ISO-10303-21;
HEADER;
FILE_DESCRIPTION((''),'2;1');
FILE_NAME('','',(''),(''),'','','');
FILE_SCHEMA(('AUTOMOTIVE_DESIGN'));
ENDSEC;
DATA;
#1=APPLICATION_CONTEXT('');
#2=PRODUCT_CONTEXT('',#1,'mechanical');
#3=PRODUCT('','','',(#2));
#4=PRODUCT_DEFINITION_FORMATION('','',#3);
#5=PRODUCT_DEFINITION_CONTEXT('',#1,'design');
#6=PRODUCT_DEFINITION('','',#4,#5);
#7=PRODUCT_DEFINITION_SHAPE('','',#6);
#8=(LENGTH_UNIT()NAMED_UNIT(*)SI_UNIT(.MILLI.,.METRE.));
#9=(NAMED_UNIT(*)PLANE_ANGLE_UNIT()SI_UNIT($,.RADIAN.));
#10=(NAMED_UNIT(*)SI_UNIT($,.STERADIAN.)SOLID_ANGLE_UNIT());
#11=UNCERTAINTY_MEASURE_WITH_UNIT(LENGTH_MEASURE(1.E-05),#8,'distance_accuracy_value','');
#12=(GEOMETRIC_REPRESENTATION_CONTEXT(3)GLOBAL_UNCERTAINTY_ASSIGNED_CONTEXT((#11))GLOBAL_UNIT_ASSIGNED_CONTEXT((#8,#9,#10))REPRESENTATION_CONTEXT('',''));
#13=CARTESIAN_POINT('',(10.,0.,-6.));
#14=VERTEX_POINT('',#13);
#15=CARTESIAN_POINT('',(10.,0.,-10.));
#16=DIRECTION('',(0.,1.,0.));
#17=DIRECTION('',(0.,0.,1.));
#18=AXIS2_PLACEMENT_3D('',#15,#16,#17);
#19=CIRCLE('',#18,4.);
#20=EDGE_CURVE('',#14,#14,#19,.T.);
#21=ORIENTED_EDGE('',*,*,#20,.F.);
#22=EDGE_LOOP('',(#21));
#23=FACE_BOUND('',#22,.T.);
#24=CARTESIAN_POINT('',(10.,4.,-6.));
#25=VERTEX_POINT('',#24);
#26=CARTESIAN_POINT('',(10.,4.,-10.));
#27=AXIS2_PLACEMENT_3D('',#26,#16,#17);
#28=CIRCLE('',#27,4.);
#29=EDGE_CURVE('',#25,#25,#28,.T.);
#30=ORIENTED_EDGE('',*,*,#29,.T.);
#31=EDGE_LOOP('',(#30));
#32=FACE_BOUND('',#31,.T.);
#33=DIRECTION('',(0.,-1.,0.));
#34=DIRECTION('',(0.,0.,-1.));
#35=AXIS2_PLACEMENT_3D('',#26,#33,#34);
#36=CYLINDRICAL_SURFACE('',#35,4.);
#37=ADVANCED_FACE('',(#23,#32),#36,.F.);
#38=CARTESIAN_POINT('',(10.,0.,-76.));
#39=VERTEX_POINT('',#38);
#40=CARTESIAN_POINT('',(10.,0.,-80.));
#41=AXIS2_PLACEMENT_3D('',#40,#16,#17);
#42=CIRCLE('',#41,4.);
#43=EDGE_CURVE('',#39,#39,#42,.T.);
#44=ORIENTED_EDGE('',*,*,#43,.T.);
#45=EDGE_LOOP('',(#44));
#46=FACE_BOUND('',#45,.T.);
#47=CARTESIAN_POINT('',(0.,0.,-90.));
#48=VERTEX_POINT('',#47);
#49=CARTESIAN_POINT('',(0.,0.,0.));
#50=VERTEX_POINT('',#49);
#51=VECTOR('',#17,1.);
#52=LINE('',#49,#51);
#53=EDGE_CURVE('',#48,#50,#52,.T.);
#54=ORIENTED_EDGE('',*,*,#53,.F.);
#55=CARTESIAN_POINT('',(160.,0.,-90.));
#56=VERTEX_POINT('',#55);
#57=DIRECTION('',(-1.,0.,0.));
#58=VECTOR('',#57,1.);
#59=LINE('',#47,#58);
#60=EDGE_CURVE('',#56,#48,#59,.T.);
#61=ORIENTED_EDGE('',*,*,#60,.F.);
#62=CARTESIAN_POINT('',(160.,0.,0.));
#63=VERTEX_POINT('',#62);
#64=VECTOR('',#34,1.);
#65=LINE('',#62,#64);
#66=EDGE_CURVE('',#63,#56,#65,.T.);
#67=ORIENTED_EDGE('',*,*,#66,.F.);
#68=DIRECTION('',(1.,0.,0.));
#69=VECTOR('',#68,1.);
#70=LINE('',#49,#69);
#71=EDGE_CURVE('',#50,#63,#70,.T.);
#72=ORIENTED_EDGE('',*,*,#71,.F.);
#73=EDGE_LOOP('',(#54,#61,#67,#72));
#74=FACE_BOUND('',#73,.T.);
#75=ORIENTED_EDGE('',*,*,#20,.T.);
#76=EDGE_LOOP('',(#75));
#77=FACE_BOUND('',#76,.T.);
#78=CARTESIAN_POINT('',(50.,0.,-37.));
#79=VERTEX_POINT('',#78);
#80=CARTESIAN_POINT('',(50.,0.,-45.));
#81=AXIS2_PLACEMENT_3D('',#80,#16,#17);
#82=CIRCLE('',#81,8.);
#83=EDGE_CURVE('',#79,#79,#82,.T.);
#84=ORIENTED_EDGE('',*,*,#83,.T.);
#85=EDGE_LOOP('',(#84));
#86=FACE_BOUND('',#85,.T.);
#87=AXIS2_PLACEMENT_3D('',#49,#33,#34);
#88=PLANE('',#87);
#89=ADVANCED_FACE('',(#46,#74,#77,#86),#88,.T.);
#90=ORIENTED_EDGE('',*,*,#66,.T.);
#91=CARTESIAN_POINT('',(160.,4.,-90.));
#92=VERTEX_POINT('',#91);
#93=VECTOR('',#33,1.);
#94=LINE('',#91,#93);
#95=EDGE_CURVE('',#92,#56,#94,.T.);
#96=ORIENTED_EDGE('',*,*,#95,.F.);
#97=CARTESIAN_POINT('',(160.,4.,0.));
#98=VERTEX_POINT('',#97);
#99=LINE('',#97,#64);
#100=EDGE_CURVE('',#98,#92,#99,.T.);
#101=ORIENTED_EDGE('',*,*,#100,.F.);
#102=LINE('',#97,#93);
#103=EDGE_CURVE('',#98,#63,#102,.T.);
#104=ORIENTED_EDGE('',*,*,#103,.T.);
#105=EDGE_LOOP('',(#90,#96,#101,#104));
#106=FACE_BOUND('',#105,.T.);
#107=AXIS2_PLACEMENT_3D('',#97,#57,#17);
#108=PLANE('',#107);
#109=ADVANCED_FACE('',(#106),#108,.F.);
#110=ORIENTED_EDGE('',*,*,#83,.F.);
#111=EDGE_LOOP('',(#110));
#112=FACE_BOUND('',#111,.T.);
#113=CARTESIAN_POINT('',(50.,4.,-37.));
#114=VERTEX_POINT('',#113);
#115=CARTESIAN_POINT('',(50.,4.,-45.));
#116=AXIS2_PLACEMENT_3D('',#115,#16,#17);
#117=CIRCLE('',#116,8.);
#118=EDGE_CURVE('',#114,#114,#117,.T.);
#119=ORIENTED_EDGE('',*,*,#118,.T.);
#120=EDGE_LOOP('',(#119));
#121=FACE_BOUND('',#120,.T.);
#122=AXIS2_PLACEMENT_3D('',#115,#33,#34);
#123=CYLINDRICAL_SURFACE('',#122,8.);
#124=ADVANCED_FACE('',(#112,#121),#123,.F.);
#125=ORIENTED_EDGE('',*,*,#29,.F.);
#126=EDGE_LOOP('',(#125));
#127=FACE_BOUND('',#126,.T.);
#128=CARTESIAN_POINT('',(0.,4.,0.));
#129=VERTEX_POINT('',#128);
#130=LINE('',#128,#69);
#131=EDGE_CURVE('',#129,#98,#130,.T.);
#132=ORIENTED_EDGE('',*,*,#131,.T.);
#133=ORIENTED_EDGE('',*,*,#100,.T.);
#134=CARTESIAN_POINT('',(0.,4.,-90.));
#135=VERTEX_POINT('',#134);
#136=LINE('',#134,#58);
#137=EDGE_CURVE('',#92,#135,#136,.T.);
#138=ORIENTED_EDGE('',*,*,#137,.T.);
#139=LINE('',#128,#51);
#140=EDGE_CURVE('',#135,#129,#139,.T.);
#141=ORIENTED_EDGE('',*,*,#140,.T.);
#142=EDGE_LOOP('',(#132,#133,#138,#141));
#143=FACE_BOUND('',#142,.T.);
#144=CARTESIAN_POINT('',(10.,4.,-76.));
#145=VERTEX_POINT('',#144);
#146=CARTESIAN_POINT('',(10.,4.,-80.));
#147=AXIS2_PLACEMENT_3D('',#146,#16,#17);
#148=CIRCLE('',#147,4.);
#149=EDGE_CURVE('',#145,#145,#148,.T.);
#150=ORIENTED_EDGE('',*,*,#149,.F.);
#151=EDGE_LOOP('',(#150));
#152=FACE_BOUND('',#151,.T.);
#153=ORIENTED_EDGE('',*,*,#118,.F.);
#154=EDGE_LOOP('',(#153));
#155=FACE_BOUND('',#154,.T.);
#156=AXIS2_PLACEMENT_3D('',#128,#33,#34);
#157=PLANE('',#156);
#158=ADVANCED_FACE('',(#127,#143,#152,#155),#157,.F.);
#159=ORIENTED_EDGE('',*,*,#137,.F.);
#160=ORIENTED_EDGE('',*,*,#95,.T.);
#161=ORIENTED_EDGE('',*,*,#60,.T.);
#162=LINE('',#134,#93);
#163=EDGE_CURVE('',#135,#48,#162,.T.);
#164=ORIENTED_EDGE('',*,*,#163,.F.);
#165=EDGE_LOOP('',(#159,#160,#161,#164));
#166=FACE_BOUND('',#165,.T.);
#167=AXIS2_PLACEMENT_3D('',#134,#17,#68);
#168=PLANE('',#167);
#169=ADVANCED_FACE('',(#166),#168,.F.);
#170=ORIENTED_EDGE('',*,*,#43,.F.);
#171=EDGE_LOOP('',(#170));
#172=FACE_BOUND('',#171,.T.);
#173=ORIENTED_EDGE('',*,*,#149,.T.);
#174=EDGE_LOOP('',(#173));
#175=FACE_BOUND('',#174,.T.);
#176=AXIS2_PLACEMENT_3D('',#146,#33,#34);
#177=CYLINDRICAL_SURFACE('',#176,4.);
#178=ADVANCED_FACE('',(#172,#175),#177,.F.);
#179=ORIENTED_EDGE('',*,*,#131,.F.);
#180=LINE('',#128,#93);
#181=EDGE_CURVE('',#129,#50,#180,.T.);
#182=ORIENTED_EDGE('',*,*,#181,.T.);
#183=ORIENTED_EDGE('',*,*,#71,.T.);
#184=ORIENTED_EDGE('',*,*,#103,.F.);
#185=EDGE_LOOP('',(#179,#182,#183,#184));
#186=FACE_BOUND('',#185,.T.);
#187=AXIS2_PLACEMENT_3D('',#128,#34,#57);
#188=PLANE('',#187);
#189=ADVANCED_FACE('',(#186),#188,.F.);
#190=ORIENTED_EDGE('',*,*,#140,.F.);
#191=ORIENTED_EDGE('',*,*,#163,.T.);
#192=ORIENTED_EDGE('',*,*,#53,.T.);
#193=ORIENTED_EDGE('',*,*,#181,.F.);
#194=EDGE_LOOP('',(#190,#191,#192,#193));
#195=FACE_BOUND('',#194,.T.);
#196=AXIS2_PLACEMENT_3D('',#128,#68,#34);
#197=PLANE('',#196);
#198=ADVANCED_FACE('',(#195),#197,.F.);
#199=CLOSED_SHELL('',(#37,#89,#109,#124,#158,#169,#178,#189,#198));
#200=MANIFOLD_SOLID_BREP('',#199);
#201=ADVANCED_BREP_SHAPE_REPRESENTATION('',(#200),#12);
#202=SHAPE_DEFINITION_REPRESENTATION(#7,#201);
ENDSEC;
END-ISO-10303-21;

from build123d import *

# Parameters (mm, degrees)
SKETCH1_W      = 160
SKETCH1_H      = 90
SKETCH1_R      = 4
SKETCH1_R_2    = 8
EXTRUDE1_DEPTH = 4


with BuildPart() as part:
    # Sketch1 → Extrude1 (new body)
    with BuildSketch(Plane(origin=(0, 0, 0), x_dir=(1, 0, 0), z_dir=(0, 1, 0))):
        with Locations((80, 45)):
            Rectangle(SKETCH1_W, SKETCH1_H)
        with Locations(Location((10, 10, 0), (0, 0, 270))):
            Circle(SKETCH1_R, mode=Mode.SUBTRACT)
        with Locations(Location((10, 80, 0), (0, 0, 270))):
            Circle(SKETCH1_R, mode=Mode.SUBTRACT)
        with Locations(Location((50, 45, 0), (0, 0, 270))):
            Circle(SKETCH1_R_2, mode=Mode.SUBTRACT)
    extrude(amount=EXTRUDE1_DEPTH)


solid = part.part
